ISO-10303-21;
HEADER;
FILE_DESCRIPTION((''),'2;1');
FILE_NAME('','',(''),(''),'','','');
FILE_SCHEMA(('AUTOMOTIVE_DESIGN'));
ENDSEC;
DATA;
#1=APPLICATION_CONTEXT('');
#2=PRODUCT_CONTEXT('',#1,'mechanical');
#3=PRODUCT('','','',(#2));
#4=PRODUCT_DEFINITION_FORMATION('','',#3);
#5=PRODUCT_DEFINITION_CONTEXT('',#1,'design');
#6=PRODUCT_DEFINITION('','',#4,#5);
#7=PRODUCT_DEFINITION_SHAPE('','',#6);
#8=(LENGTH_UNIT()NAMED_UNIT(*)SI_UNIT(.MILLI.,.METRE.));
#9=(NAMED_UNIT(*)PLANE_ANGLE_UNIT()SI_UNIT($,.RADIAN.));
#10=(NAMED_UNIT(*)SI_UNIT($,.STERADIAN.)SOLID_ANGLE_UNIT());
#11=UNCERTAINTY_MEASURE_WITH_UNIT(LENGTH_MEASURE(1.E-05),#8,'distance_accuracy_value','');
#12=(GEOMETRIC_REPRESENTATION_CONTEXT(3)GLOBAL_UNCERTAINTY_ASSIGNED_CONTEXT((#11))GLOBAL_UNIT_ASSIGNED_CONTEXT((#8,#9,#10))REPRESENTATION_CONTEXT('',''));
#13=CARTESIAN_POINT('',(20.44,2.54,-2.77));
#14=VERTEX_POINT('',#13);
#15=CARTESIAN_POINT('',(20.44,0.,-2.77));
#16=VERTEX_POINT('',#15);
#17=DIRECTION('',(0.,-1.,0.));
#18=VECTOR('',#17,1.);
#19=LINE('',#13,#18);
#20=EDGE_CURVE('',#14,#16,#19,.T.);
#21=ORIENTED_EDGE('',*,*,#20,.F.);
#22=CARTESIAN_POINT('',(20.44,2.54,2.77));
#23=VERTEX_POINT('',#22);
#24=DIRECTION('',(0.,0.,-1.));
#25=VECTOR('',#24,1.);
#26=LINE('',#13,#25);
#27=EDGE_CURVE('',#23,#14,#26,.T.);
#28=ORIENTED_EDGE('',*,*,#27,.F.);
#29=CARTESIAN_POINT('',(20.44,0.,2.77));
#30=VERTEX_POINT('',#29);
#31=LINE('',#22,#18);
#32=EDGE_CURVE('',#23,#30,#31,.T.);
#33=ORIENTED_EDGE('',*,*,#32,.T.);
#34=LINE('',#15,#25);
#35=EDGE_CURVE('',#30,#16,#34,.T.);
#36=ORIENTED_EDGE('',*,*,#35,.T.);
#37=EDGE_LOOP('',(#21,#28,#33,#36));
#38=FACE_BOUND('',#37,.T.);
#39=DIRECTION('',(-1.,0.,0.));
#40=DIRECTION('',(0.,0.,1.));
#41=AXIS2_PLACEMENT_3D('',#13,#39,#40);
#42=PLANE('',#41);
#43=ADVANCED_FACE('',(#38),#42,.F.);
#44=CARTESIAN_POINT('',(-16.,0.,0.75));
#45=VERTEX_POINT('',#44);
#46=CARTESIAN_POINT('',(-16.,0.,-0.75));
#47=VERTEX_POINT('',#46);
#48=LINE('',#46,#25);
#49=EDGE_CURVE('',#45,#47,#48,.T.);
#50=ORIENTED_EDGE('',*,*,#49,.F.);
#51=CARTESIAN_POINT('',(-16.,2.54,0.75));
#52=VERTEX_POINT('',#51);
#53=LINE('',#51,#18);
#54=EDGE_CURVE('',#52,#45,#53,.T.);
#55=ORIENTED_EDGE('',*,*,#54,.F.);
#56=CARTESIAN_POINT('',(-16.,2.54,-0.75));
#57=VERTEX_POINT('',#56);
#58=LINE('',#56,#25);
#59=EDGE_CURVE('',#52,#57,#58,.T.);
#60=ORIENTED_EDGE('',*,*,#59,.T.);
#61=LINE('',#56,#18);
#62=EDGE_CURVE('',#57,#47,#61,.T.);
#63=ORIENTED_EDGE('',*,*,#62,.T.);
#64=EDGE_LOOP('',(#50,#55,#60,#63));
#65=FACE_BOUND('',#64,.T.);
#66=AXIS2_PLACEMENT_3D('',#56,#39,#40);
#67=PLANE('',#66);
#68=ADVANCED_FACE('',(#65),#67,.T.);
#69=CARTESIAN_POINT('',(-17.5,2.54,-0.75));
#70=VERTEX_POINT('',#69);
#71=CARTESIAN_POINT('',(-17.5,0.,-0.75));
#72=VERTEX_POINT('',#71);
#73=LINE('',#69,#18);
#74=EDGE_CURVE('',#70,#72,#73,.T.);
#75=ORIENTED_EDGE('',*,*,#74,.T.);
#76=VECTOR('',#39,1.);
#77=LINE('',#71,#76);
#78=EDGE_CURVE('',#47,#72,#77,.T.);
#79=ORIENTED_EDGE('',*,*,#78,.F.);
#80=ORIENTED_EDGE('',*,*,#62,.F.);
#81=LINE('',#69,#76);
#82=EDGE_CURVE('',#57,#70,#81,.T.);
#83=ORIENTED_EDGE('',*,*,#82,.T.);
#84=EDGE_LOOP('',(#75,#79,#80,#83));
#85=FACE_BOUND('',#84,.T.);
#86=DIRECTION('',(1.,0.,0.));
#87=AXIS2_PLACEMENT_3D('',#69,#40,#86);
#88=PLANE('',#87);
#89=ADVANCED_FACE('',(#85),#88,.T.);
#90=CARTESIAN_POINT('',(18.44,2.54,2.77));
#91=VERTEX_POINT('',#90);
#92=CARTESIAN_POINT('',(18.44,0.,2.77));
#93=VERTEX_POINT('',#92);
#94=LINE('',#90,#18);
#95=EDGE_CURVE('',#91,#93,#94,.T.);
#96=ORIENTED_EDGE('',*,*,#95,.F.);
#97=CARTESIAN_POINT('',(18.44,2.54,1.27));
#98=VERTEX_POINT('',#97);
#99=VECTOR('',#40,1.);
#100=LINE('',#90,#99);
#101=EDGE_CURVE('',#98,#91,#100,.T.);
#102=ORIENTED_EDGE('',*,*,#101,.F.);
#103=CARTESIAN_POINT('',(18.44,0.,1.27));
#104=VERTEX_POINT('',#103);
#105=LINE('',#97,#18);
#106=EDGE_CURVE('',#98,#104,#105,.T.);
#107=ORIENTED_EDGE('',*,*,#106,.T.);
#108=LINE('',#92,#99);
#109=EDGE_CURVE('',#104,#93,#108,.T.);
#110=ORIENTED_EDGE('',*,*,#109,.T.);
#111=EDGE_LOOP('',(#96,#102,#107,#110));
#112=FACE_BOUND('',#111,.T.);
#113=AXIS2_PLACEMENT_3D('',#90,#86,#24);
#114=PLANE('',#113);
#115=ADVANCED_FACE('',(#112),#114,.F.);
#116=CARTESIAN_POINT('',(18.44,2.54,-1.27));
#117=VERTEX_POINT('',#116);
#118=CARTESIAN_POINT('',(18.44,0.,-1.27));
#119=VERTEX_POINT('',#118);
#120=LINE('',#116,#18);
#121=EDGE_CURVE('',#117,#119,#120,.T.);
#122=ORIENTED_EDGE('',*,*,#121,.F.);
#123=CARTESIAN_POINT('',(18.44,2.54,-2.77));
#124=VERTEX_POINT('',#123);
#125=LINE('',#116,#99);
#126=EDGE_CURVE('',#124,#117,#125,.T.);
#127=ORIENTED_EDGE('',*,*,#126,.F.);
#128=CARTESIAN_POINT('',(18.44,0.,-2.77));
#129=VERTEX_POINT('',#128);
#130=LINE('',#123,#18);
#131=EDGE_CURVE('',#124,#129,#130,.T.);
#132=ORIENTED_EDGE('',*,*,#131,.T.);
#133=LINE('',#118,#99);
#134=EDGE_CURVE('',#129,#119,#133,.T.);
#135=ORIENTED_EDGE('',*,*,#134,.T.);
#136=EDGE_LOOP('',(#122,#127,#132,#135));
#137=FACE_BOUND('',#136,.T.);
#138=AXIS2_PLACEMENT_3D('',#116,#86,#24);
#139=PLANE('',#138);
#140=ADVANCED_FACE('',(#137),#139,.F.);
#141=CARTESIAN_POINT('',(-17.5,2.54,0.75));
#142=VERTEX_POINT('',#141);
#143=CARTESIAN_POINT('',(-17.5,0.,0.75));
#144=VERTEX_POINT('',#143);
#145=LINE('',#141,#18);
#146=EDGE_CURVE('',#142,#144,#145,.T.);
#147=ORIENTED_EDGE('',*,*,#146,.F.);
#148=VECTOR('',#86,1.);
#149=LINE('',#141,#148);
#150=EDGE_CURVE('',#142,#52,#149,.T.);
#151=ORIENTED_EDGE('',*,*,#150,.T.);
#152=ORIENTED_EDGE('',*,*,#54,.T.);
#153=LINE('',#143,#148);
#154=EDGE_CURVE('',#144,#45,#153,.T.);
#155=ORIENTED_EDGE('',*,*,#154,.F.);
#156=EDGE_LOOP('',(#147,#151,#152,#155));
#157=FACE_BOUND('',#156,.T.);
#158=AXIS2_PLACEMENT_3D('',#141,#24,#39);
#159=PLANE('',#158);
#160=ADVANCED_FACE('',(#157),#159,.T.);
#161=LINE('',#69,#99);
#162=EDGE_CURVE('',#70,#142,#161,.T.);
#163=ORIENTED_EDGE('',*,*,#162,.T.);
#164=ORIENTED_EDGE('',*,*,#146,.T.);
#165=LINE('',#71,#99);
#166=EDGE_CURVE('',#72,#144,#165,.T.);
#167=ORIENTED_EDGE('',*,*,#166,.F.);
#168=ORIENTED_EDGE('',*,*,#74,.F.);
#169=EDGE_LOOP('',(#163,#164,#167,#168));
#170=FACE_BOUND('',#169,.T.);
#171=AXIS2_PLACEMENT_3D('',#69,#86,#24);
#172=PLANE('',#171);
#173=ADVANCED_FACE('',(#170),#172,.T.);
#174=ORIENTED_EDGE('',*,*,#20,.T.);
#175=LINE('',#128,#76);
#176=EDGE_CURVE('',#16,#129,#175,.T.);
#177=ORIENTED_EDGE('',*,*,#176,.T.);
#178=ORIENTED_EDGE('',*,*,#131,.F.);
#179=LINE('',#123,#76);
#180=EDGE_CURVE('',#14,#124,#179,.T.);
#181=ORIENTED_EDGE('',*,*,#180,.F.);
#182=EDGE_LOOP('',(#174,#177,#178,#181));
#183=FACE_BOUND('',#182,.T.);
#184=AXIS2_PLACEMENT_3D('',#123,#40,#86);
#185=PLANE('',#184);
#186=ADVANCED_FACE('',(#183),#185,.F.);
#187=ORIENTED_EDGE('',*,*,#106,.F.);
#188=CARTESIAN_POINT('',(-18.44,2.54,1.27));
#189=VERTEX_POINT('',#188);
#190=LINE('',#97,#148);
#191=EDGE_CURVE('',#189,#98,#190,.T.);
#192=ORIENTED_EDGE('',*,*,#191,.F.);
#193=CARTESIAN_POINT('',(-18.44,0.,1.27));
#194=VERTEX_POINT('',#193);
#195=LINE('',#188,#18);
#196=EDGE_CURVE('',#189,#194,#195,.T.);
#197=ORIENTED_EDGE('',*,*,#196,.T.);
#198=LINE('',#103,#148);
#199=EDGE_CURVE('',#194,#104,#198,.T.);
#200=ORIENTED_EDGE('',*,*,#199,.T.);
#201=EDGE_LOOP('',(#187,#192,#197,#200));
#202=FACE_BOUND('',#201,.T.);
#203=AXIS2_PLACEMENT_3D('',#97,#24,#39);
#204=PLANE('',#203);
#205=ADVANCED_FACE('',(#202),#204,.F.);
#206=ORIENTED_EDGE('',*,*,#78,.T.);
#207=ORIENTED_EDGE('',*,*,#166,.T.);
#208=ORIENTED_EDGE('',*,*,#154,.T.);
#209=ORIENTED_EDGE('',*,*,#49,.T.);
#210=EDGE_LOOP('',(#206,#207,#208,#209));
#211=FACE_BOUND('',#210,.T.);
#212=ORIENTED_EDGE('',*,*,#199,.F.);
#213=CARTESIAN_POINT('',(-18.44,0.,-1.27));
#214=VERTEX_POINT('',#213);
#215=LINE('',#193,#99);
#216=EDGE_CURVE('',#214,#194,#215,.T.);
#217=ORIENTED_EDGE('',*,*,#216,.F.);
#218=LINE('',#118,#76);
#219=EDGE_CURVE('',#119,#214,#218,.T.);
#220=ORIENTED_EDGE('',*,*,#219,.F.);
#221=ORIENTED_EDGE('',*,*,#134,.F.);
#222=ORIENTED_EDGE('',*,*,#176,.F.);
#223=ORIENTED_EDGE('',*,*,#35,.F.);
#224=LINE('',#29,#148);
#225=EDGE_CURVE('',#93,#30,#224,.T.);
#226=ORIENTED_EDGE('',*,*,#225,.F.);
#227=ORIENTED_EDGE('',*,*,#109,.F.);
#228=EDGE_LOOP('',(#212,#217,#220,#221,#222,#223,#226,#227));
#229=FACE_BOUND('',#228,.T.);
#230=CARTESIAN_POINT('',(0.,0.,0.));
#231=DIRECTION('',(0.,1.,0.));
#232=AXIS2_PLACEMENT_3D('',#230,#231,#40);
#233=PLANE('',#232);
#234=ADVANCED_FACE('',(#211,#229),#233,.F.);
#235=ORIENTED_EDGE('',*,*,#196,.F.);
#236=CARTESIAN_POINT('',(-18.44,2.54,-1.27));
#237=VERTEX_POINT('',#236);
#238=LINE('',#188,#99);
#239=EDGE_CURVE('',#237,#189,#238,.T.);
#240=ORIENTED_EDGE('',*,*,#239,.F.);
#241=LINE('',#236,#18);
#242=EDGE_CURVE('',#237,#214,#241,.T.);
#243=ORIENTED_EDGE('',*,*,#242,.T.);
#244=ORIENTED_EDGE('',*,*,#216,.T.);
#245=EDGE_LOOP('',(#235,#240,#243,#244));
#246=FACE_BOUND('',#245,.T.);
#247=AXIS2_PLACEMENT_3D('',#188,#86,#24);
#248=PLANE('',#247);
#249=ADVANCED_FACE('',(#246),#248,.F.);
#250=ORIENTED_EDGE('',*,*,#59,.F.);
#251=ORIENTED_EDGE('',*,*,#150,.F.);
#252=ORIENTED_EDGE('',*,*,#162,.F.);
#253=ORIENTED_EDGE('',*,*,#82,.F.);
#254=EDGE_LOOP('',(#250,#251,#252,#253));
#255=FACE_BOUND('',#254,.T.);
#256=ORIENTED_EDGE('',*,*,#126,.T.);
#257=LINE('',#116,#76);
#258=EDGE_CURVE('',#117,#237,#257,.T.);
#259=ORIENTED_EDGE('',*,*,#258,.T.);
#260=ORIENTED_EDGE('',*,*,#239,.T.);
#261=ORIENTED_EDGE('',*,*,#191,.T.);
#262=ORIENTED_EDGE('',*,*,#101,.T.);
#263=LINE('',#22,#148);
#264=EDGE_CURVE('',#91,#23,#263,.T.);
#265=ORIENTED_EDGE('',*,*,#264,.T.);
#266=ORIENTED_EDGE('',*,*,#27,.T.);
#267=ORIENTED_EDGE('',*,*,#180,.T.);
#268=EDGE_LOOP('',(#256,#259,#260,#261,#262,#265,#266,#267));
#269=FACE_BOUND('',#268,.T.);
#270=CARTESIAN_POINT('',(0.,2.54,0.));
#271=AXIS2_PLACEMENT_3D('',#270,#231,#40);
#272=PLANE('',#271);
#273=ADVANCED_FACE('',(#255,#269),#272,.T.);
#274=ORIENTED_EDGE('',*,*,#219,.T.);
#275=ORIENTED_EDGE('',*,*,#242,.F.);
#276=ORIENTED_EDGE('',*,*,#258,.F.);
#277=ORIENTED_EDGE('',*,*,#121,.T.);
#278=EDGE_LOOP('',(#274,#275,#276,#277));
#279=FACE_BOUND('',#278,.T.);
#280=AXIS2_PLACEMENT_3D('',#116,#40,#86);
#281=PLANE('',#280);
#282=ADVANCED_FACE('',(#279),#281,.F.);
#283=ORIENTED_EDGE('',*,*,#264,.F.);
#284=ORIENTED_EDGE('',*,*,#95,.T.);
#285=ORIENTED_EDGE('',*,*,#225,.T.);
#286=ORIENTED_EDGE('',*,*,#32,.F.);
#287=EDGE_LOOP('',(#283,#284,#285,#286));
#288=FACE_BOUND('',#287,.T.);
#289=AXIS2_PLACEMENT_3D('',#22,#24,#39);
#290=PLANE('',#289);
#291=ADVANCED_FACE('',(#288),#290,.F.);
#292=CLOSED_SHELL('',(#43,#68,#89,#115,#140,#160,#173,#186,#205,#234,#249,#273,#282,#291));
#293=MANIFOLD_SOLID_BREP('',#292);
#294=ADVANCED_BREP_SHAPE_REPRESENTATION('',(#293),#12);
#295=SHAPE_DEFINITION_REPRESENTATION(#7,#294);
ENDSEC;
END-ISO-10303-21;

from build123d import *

# Parameters (mm, degrees)
SKETCH1_W           = 1.5
SKETCH1_H           = 1.5
BOSS_EXTRUDE1_DEPTH = 2.54


with BuildPart() as part:
    # Sketch1 → Boss-Extrude1 (new body)
    with BuildSketch(Plane(origin=(0, 0, 0), x_dir=(1, 0, 0), z_dir=(0, 1, 0))):
        Polygon((18.44, 1.27), (18.44, 2.77), (20.44, 2.77), (20.44, -2.77), (18.44, -2.77), (18.44, -1.27), (-18.44, -1.27), (-18.44, 1.27), align=None)
        with Locations((-16.75, 0)):
            Rectangle(SKETCH1_W, SKETCH1_H, mode=Mode.SUBTRACT)
    extrude(amount=BOSS_EXTRUDE1_DEPTH)


solid = part.part
